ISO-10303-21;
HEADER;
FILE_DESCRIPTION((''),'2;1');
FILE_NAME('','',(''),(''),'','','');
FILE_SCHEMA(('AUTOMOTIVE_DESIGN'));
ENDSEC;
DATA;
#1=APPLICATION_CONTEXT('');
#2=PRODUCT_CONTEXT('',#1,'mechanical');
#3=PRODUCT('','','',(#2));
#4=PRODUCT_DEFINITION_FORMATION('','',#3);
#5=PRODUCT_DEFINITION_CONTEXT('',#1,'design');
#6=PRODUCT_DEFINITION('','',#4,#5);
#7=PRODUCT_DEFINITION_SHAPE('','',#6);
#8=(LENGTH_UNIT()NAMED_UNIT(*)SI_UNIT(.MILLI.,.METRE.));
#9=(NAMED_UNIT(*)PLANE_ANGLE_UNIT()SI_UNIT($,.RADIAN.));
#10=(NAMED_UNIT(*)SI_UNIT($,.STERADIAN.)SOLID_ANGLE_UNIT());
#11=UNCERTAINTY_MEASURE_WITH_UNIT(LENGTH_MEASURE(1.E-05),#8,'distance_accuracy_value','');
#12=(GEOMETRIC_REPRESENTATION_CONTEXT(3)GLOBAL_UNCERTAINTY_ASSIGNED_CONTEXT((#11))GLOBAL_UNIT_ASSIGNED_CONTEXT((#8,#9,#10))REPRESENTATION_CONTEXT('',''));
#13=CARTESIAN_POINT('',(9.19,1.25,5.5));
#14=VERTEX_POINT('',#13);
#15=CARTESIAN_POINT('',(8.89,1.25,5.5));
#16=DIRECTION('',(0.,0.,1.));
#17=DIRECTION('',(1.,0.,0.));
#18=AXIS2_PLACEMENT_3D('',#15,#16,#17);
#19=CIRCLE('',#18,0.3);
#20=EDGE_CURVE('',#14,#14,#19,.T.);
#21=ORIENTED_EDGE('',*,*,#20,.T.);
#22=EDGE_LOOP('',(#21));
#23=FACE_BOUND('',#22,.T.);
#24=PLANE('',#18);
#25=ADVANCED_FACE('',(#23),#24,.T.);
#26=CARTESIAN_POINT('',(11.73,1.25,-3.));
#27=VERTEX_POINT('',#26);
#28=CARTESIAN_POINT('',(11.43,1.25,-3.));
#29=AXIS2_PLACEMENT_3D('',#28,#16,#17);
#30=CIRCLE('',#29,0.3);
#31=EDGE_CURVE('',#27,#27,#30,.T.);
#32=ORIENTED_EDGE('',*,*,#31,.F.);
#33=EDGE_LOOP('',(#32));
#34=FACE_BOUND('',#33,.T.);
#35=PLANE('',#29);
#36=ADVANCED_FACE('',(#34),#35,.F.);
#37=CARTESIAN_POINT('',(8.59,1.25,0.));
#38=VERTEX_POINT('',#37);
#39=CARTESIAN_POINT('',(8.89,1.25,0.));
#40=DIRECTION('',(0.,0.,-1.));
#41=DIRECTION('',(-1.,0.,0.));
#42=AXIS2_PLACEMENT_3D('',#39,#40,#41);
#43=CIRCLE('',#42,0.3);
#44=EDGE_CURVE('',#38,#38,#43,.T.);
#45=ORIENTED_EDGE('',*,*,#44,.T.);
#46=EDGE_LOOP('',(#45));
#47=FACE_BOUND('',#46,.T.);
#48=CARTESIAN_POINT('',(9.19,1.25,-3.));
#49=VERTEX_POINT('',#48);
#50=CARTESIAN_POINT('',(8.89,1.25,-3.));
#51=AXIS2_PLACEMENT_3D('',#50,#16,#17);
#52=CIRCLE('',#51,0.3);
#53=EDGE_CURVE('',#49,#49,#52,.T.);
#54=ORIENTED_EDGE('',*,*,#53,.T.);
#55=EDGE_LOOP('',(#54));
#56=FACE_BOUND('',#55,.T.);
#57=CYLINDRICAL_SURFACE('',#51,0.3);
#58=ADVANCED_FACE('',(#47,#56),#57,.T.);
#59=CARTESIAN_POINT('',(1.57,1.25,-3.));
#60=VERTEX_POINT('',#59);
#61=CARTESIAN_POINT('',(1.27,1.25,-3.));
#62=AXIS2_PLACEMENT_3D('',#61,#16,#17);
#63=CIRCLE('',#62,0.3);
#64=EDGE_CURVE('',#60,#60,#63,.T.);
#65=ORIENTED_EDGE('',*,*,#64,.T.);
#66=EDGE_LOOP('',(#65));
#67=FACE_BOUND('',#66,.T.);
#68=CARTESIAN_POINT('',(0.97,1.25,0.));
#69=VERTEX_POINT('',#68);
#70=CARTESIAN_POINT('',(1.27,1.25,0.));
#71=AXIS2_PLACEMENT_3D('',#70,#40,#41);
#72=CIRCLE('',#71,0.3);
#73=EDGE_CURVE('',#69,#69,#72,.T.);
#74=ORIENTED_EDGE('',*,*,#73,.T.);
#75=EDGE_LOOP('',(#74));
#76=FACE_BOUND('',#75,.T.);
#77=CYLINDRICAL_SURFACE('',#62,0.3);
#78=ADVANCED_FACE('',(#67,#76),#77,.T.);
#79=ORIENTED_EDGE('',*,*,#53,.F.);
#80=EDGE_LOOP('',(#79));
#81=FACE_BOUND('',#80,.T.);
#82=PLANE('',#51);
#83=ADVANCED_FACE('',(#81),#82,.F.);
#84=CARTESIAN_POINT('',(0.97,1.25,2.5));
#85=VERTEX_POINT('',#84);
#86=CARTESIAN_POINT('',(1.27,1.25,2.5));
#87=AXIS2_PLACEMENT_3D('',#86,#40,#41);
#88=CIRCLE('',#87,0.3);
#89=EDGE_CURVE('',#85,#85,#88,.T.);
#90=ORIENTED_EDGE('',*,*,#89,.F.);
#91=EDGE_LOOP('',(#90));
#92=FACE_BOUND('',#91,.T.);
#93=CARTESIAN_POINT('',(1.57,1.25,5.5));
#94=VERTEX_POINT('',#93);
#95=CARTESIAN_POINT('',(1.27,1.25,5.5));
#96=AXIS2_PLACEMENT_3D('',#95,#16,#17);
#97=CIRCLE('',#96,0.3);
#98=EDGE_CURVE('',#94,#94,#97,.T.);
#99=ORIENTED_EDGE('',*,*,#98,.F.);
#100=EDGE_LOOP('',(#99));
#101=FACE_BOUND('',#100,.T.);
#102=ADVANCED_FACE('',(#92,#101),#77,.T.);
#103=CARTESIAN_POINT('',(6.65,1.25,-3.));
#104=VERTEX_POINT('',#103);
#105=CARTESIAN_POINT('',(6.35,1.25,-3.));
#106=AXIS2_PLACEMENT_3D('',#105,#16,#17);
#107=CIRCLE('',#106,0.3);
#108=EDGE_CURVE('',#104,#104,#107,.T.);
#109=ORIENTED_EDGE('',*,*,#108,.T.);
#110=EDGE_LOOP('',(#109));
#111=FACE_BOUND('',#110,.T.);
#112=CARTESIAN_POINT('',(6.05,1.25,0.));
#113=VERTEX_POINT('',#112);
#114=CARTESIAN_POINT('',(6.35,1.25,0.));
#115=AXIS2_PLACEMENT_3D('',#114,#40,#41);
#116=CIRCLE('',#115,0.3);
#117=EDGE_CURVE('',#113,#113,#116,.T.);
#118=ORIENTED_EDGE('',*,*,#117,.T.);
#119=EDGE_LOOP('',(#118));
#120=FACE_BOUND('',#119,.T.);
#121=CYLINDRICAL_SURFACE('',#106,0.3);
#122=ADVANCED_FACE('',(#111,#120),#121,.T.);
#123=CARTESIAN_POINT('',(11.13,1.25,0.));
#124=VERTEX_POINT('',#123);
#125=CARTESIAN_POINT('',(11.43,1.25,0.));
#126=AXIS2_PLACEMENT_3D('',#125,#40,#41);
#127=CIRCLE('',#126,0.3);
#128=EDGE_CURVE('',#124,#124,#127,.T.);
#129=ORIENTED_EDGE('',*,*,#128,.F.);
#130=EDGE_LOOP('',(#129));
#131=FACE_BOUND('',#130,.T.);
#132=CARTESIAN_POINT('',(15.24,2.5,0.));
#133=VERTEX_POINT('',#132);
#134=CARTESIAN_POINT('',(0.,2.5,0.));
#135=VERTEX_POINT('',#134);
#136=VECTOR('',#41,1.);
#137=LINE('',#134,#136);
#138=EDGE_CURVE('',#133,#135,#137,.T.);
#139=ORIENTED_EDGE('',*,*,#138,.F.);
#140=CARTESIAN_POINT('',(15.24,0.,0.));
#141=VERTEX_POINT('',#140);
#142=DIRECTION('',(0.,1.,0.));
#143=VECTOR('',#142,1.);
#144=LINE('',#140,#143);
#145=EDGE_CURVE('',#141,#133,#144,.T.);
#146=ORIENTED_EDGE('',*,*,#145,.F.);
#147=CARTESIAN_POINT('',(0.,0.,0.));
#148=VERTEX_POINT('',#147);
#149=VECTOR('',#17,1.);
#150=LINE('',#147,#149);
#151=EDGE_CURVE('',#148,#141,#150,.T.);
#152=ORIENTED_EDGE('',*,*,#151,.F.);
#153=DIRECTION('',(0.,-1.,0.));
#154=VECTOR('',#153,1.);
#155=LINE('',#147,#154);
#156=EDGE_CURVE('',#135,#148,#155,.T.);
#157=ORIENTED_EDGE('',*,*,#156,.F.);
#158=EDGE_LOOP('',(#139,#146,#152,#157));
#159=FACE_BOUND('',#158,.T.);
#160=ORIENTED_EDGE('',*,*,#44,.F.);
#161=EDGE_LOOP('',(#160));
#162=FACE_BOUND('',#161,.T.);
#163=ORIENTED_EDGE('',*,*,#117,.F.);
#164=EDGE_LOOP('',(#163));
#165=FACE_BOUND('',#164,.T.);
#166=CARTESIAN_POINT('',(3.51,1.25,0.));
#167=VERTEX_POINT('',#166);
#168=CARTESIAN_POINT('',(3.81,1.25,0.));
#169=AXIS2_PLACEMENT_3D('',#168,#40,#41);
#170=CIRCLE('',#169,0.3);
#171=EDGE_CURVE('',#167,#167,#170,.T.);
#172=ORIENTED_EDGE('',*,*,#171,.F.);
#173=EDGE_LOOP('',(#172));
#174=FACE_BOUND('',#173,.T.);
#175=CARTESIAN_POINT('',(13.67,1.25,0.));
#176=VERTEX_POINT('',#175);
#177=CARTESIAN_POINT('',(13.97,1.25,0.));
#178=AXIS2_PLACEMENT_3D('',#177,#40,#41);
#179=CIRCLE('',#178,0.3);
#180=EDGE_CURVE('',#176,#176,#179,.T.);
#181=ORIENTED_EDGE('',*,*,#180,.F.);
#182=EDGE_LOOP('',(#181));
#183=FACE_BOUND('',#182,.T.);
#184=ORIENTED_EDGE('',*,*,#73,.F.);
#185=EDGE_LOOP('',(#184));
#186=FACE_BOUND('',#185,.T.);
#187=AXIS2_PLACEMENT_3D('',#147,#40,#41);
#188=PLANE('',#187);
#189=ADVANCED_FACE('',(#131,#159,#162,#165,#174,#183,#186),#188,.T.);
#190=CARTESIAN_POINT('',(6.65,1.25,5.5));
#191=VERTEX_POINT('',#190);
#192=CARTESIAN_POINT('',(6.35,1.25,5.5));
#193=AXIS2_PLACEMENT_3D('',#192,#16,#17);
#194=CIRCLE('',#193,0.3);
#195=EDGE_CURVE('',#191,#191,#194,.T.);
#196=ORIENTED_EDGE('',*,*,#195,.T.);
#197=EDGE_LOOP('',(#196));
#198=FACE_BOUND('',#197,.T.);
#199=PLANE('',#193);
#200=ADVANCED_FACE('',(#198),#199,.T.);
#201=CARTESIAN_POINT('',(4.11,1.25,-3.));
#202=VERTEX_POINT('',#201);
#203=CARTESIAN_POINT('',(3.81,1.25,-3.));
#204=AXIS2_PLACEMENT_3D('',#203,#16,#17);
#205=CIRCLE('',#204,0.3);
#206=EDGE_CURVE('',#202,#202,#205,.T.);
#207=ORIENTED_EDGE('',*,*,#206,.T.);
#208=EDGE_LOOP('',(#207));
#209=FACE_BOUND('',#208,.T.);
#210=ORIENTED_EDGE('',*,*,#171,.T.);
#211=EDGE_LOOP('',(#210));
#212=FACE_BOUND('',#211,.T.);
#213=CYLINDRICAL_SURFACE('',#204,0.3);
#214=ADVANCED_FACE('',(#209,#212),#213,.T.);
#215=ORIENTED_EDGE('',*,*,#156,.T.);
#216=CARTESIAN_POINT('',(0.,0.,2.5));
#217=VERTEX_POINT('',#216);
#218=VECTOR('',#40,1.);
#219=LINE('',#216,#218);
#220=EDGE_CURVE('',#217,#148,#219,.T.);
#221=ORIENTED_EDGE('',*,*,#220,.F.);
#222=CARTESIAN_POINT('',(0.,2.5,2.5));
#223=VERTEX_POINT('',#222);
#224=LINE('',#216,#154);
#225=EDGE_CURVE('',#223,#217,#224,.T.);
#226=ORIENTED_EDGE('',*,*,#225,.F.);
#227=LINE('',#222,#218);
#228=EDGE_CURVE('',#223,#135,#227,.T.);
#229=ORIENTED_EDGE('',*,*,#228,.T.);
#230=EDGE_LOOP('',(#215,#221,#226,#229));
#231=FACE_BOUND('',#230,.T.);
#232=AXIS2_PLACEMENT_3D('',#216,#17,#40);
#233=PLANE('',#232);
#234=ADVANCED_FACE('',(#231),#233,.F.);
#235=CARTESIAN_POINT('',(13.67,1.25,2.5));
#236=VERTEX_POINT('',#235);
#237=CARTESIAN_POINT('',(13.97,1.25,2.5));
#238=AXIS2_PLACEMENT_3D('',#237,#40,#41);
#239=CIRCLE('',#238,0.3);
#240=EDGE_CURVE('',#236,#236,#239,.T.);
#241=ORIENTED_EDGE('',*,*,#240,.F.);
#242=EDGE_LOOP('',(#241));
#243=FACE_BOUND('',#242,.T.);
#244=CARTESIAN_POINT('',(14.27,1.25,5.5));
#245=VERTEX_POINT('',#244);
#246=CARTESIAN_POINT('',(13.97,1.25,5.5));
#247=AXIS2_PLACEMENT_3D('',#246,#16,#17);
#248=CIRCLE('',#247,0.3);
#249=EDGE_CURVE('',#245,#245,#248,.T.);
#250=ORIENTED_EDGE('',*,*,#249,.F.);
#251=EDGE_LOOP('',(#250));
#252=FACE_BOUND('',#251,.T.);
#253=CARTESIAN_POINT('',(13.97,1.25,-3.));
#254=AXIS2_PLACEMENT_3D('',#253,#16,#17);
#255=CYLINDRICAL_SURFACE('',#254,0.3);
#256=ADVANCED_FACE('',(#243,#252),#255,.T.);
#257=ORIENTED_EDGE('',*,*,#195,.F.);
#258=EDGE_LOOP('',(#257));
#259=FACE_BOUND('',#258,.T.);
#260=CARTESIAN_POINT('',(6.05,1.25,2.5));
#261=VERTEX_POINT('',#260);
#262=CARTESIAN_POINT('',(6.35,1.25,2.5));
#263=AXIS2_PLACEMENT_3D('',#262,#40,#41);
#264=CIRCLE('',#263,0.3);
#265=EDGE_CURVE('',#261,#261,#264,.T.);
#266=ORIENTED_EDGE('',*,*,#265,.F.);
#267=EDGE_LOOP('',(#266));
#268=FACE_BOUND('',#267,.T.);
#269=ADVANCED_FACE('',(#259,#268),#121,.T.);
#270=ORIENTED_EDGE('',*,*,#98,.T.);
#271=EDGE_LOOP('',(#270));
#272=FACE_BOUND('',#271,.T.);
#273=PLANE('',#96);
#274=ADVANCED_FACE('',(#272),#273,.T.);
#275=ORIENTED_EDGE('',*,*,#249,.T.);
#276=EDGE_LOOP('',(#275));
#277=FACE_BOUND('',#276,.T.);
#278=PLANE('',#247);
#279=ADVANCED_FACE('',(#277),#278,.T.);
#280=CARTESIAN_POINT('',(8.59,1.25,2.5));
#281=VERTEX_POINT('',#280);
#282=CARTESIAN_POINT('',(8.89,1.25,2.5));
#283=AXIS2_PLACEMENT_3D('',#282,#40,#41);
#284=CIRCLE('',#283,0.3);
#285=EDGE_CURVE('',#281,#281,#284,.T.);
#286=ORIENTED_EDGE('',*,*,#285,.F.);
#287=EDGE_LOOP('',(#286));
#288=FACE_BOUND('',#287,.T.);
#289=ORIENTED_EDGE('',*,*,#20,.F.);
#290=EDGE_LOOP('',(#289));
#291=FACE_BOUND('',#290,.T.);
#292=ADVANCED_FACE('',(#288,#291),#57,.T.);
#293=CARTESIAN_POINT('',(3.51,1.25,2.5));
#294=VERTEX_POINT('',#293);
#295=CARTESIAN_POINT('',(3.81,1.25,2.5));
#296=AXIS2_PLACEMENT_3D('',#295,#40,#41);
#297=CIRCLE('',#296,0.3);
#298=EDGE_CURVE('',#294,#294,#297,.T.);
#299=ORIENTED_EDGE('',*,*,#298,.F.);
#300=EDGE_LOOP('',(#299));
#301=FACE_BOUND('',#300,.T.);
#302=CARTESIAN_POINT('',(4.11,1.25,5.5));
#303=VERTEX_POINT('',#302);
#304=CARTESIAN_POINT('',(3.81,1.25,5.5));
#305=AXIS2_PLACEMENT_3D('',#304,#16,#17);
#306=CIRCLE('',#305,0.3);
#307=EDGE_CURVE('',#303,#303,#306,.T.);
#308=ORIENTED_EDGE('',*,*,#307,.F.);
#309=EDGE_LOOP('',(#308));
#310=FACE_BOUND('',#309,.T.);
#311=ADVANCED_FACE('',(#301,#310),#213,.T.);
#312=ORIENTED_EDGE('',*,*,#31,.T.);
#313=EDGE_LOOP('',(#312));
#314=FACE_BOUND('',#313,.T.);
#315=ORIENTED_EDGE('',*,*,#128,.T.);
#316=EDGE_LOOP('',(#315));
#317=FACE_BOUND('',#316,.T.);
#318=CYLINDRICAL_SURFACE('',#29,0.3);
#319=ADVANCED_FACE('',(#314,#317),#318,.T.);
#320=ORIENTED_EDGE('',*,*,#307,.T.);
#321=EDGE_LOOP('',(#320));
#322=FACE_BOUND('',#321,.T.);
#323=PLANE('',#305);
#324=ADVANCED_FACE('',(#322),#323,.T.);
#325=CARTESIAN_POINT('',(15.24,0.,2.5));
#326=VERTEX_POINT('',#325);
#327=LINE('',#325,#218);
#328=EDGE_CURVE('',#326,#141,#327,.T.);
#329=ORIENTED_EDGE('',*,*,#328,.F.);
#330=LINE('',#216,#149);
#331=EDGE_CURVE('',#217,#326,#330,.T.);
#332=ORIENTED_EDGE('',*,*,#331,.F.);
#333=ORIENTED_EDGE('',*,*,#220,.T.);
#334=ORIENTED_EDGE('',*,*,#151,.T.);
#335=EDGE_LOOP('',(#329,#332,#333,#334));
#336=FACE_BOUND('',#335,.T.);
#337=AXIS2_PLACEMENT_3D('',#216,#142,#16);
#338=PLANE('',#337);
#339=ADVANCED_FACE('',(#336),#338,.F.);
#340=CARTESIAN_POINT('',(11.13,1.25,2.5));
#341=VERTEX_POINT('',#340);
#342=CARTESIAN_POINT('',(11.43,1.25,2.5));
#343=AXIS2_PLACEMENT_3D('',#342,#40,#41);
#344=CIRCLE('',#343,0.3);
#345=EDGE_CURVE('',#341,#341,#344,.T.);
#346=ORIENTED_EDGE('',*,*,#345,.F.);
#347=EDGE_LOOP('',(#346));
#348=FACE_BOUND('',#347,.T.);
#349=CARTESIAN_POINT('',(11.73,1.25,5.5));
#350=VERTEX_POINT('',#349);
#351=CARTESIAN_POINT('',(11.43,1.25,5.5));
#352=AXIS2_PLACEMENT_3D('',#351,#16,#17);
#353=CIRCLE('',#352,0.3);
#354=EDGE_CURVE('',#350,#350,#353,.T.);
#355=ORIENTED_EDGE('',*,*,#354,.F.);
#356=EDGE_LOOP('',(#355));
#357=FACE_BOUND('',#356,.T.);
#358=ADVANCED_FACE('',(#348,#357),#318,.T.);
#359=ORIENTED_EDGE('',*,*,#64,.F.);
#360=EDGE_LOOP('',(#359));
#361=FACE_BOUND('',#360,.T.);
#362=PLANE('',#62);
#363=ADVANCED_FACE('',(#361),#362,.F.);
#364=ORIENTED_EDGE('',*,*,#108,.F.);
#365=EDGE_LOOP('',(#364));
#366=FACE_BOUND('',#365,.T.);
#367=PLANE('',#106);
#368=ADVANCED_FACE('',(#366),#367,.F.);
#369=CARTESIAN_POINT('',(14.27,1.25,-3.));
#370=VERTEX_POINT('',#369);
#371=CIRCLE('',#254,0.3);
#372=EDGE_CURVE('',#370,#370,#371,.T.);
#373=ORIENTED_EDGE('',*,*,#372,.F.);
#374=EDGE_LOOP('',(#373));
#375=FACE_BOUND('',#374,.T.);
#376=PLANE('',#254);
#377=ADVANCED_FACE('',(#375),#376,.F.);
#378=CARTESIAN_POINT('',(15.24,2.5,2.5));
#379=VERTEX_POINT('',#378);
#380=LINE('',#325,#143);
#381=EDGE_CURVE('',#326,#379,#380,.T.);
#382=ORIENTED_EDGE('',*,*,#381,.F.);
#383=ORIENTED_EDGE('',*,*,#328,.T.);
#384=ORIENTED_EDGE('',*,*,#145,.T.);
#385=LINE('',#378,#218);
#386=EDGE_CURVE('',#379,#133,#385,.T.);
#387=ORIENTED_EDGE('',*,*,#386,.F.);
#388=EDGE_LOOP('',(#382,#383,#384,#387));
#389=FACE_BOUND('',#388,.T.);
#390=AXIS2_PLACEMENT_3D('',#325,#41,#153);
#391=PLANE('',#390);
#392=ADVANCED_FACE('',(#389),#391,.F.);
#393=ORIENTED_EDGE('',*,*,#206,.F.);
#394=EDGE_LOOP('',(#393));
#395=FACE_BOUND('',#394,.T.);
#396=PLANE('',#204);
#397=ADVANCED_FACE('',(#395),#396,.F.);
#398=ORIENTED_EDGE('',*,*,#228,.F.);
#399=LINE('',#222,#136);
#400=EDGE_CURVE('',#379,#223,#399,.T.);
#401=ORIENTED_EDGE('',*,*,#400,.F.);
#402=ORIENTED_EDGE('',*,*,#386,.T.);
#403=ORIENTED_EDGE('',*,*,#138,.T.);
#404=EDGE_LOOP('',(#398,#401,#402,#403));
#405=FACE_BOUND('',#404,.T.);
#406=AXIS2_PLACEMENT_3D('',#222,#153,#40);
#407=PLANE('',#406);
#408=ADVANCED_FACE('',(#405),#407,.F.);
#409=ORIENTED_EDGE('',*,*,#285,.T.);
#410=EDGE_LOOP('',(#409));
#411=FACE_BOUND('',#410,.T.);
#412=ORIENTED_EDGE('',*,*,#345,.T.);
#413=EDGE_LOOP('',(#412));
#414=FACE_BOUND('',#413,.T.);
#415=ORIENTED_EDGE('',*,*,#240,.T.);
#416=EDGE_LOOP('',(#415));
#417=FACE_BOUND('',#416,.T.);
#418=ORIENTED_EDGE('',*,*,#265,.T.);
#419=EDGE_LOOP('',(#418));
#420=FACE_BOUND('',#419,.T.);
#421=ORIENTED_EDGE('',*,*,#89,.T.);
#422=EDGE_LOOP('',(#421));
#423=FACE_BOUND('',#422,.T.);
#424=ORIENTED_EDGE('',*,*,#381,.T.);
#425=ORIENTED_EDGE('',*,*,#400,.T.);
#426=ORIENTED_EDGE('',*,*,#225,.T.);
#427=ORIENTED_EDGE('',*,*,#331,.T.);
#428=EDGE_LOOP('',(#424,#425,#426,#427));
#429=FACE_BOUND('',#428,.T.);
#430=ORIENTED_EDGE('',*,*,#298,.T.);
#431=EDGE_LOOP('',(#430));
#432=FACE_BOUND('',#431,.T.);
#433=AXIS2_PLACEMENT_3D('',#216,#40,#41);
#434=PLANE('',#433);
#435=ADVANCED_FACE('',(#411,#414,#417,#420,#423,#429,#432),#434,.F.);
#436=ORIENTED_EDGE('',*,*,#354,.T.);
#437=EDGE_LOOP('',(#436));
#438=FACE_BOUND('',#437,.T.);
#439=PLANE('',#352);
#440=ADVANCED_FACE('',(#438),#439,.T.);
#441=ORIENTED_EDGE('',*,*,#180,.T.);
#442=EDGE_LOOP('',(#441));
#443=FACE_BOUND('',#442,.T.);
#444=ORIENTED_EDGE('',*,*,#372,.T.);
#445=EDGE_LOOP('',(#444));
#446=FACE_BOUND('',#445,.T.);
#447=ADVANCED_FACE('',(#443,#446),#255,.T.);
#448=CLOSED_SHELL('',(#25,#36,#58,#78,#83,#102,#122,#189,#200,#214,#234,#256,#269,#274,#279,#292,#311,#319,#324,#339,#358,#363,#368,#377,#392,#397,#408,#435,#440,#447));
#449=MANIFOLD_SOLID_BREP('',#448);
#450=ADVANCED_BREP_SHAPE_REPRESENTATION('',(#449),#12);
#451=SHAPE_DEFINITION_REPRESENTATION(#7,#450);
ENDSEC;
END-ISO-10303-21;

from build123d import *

# Parameters (mm, degrees)
SKETCH_1_W                 = 15.24
SKETCH_1_H                 = 2.5
EXTRUDE_1_DEPTH            = 2.5
EXTRUDE_START              = -5.5
SKETCH_2_R                 = 0.3
EXTRUDE_2_DEPTH            = 8.5
PATTERN_LINEAR_1_COUNT     = 4
PATTERN_LINEAR_1_PITCH     = 2.54
PATTERN_LINEAR_1_COL_COUNT = 3
PATTERN_LINEAR_1_COL_PITCH = 2.54


with BuildPart() as part:
    # 草图1 → 凸台-拉伸1 (new body)
    with BuildSketch(Plane.XY):
        with Locations((7.62, 1.25)):
            Rectangle(SKETCH_1_W, SKETCH_1_H)
    extrude(amount=EXTRUDE_1_DEPTH)

    # 草图2 → 凸台-拉伸2 (add)
    with BuildSketch(Plane.XY.offset(2.5).offset(EXTRUDE_START)):
        with Locations((6.35, 1.25)):
            Circle(SKETCH_2_R)
    extrude_2 = extrude(amount=EXTRUDE_2_DEPTH)

    # 阵列(线性)1: 凸台-拉伸2 ×4
    with Locations(*[(i * PATTERN_LINEAR_1_PITCH, 0, 0) for i in range(1, PATTERN_LINEAR_1_COUNT)]):
        add(extrude_2)

    # 阵列(线性)1 col: 凸台-拉伸2 ×3
    with Locations(*[(-i * PATTERN_LINEAR_1_COL_PITCH, 0, 0) for i in range(1, PATTERN_LINEAR_1_COL_COUNT)]):
        add(extrude_2)


solid = part.part
